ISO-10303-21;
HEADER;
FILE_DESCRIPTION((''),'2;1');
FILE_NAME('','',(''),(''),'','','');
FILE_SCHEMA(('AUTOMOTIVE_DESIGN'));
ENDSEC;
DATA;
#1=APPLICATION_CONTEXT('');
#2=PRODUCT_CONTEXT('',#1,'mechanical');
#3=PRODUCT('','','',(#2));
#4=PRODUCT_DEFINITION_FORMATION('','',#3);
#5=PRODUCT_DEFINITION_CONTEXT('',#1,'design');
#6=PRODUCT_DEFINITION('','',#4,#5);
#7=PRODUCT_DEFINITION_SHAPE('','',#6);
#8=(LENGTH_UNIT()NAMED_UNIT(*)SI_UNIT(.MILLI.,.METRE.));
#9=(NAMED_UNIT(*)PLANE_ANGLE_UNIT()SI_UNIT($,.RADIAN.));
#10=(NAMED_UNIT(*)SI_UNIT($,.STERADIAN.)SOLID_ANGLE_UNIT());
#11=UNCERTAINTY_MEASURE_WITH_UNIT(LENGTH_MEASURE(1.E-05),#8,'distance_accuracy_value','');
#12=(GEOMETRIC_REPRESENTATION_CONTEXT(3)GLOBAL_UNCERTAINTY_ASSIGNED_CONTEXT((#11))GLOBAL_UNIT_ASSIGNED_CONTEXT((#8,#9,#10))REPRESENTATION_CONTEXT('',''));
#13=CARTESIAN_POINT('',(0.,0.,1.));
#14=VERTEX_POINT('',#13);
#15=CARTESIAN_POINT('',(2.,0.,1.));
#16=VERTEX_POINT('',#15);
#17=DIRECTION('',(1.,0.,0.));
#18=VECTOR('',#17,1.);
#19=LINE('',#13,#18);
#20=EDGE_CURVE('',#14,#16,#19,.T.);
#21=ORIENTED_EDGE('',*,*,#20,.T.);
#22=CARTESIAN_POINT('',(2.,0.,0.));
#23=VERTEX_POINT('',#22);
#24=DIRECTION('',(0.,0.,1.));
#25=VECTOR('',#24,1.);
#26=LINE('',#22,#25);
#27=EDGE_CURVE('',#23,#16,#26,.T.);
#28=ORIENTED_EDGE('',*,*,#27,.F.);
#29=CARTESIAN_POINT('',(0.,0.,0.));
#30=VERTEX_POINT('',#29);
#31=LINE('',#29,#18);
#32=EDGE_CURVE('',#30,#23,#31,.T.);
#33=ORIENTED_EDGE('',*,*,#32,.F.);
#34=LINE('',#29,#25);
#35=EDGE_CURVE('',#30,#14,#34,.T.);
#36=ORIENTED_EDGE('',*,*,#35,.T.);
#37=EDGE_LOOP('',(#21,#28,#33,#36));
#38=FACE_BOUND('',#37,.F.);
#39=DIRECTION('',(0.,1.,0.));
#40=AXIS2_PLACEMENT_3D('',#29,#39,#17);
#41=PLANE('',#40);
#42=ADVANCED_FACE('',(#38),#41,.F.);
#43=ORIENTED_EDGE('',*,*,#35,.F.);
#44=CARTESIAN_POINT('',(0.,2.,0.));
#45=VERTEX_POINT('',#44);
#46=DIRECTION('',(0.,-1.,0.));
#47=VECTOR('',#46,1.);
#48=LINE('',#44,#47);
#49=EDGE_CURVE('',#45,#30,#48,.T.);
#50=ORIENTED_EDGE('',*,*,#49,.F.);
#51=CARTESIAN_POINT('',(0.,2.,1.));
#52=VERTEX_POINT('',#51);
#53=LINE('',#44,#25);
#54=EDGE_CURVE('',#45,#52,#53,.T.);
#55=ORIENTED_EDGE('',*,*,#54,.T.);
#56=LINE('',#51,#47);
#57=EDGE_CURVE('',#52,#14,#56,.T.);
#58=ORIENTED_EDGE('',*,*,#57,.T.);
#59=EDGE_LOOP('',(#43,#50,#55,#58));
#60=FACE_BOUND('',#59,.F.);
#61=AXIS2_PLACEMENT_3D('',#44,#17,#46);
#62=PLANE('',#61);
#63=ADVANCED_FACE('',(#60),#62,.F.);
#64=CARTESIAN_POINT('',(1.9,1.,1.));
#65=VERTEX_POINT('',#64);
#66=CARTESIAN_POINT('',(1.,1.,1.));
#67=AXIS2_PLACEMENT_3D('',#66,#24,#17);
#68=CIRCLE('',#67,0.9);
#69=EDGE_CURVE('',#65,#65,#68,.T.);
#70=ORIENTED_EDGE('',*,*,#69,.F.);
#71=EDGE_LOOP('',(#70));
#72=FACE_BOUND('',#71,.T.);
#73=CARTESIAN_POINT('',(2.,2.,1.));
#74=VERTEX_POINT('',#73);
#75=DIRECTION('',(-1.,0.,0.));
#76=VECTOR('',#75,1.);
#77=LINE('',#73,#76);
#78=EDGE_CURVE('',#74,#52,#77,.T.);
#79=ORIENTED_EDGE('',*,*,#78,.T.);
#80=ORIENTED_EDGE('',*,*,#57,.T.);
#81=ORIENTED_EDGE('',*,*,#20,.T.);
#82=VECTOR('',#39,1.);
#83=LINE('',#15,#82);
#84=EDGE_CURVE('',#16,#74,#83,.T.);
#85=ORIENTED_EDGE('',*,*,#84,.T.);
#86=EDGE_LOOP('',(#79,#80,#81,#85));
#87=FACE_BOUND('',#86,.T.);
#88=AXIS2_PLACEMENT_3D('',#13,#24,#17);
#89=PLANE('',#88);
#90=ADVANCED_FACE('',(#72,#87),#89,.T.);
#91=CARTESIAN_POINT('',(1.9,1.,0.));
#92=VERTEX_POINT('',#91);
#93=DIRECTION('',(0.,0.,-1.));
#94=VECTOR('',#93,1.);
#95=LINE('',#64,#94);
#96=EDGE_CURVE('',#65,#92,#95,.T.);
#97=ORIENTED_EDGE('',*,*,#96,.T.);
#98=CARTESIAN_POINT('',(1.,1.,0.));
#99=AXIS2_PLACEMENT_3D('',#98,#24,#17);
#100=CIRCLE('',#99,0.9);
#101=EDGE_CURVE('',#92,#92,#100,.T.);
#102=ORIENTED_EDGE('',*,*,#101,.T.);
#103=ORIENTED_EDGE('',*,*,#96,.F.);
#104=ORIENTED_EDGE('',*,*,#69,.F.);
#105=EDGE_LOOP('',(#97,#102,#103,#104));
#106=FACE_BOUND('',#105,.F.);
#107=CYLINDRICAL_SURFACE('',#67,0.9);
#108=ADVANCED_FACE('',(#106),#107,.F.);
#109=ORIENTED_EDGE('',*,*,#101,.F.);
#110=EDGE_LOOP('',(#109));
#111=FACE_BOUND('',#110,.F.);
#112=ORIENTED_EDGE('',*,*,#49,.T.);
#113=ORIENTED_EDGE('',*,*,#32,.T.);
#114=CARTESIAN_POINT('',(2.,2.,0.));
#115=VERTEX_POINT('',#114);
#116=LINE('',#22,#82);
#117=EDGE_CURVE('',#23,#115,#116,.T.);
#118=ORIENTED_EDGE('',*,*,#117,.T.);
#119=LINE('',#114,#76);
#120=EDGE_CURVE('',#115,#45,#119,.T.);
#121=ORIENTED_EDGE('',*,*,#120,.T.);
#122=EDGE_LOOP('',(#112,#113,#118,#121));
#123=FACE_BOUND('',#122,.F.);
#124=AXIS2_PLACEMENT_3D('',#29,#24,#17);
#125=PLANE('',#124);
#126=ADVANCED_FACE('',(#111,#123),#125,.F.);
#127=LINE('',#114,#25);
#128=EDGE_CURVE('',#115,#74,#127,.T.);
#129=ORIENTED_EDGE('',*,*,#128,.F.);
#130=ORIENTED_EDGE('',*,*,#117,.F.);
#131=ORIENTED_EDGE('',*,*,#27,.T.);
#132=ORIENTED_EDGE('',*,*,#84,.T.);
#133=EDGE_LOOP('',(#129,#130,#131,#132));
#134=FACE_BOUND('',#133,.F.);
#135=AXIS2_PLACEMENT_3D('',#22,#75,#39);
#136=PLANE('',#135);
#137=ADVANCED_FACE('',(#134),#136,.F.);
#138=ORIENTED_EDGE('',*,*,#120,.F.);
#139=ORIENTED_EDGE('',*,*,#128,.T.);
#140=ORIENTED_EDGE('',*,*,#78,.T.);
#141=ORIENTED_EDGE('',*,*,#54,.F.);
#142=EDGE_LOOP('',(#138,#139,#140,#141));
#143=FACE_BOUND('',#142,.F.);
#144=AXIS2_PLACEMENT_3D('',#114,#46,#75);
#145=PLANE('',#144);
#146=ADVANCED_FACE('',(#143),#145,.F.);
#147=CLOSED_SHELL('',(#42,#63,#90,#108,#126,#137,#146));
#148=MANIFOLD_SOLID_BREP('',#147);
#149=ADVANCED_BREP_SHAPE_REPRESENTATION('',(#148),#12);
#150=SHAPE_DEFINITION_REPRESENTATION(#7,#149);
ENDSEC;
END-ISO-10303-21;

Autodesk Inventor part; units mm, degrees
ref_plane "YZ Plane" through (0, 0, 0) normal (1, 0, 0) x (0, 1, 0)
ref_plane "XZ Plane" through (0, 0, 0) normal (0, 1, 0) x (-1, 0, 0)
ref_plane "XY Plane" through (0, 0, 0) normal (0, 0, 1) x (1, 0, 0)
sketch "Sketch1" plane through (0, 0, 0) normal (0, 0, 1) x (1, 0, 0)
  line L0 (0, 0) -> (2, 0)
  line L1 (2, 0) -> (2, 2)
  line L2 (2, 2) -> (0, 2)
  line L3 (0, 2) -> (0, 0)
  dimension "d0" = 2
  dimension "d1" = 2
extrude "Extrusion1" add sketch "Sketch1" along normal blind 1
sketch "Sketch2" plane through (0, 0, 1) normal (0, 0, 1) x (1, 0, 0)
  line L0 (0, 0) -> (1, 0)
  line L1 (0, 0) -> (2, 0) projected
  line L2 (1, 0) -> (2, 0)
  line L3 (2, 0) -> (2, 1)
  line L4 (2, 0) -> (2, 2) projected
  line L5 (2, 1) -> (1, 1)
  circle A0 centre (1, 1) radius 0.9
  dimension "d4" = 1
  dimension "d5" = 1
  dimension "d6" = 1
  dimension "d7" = 1
  dimension "d8" = 1.8
extrude "Extrusion2" cut sketch "Sketch2" against normal through all
thread "Thread1" size "M1.8x0.35" class "6H" standard "ANSI Metric M Profile" full length
properties part number "NUT FOR SERVO"
